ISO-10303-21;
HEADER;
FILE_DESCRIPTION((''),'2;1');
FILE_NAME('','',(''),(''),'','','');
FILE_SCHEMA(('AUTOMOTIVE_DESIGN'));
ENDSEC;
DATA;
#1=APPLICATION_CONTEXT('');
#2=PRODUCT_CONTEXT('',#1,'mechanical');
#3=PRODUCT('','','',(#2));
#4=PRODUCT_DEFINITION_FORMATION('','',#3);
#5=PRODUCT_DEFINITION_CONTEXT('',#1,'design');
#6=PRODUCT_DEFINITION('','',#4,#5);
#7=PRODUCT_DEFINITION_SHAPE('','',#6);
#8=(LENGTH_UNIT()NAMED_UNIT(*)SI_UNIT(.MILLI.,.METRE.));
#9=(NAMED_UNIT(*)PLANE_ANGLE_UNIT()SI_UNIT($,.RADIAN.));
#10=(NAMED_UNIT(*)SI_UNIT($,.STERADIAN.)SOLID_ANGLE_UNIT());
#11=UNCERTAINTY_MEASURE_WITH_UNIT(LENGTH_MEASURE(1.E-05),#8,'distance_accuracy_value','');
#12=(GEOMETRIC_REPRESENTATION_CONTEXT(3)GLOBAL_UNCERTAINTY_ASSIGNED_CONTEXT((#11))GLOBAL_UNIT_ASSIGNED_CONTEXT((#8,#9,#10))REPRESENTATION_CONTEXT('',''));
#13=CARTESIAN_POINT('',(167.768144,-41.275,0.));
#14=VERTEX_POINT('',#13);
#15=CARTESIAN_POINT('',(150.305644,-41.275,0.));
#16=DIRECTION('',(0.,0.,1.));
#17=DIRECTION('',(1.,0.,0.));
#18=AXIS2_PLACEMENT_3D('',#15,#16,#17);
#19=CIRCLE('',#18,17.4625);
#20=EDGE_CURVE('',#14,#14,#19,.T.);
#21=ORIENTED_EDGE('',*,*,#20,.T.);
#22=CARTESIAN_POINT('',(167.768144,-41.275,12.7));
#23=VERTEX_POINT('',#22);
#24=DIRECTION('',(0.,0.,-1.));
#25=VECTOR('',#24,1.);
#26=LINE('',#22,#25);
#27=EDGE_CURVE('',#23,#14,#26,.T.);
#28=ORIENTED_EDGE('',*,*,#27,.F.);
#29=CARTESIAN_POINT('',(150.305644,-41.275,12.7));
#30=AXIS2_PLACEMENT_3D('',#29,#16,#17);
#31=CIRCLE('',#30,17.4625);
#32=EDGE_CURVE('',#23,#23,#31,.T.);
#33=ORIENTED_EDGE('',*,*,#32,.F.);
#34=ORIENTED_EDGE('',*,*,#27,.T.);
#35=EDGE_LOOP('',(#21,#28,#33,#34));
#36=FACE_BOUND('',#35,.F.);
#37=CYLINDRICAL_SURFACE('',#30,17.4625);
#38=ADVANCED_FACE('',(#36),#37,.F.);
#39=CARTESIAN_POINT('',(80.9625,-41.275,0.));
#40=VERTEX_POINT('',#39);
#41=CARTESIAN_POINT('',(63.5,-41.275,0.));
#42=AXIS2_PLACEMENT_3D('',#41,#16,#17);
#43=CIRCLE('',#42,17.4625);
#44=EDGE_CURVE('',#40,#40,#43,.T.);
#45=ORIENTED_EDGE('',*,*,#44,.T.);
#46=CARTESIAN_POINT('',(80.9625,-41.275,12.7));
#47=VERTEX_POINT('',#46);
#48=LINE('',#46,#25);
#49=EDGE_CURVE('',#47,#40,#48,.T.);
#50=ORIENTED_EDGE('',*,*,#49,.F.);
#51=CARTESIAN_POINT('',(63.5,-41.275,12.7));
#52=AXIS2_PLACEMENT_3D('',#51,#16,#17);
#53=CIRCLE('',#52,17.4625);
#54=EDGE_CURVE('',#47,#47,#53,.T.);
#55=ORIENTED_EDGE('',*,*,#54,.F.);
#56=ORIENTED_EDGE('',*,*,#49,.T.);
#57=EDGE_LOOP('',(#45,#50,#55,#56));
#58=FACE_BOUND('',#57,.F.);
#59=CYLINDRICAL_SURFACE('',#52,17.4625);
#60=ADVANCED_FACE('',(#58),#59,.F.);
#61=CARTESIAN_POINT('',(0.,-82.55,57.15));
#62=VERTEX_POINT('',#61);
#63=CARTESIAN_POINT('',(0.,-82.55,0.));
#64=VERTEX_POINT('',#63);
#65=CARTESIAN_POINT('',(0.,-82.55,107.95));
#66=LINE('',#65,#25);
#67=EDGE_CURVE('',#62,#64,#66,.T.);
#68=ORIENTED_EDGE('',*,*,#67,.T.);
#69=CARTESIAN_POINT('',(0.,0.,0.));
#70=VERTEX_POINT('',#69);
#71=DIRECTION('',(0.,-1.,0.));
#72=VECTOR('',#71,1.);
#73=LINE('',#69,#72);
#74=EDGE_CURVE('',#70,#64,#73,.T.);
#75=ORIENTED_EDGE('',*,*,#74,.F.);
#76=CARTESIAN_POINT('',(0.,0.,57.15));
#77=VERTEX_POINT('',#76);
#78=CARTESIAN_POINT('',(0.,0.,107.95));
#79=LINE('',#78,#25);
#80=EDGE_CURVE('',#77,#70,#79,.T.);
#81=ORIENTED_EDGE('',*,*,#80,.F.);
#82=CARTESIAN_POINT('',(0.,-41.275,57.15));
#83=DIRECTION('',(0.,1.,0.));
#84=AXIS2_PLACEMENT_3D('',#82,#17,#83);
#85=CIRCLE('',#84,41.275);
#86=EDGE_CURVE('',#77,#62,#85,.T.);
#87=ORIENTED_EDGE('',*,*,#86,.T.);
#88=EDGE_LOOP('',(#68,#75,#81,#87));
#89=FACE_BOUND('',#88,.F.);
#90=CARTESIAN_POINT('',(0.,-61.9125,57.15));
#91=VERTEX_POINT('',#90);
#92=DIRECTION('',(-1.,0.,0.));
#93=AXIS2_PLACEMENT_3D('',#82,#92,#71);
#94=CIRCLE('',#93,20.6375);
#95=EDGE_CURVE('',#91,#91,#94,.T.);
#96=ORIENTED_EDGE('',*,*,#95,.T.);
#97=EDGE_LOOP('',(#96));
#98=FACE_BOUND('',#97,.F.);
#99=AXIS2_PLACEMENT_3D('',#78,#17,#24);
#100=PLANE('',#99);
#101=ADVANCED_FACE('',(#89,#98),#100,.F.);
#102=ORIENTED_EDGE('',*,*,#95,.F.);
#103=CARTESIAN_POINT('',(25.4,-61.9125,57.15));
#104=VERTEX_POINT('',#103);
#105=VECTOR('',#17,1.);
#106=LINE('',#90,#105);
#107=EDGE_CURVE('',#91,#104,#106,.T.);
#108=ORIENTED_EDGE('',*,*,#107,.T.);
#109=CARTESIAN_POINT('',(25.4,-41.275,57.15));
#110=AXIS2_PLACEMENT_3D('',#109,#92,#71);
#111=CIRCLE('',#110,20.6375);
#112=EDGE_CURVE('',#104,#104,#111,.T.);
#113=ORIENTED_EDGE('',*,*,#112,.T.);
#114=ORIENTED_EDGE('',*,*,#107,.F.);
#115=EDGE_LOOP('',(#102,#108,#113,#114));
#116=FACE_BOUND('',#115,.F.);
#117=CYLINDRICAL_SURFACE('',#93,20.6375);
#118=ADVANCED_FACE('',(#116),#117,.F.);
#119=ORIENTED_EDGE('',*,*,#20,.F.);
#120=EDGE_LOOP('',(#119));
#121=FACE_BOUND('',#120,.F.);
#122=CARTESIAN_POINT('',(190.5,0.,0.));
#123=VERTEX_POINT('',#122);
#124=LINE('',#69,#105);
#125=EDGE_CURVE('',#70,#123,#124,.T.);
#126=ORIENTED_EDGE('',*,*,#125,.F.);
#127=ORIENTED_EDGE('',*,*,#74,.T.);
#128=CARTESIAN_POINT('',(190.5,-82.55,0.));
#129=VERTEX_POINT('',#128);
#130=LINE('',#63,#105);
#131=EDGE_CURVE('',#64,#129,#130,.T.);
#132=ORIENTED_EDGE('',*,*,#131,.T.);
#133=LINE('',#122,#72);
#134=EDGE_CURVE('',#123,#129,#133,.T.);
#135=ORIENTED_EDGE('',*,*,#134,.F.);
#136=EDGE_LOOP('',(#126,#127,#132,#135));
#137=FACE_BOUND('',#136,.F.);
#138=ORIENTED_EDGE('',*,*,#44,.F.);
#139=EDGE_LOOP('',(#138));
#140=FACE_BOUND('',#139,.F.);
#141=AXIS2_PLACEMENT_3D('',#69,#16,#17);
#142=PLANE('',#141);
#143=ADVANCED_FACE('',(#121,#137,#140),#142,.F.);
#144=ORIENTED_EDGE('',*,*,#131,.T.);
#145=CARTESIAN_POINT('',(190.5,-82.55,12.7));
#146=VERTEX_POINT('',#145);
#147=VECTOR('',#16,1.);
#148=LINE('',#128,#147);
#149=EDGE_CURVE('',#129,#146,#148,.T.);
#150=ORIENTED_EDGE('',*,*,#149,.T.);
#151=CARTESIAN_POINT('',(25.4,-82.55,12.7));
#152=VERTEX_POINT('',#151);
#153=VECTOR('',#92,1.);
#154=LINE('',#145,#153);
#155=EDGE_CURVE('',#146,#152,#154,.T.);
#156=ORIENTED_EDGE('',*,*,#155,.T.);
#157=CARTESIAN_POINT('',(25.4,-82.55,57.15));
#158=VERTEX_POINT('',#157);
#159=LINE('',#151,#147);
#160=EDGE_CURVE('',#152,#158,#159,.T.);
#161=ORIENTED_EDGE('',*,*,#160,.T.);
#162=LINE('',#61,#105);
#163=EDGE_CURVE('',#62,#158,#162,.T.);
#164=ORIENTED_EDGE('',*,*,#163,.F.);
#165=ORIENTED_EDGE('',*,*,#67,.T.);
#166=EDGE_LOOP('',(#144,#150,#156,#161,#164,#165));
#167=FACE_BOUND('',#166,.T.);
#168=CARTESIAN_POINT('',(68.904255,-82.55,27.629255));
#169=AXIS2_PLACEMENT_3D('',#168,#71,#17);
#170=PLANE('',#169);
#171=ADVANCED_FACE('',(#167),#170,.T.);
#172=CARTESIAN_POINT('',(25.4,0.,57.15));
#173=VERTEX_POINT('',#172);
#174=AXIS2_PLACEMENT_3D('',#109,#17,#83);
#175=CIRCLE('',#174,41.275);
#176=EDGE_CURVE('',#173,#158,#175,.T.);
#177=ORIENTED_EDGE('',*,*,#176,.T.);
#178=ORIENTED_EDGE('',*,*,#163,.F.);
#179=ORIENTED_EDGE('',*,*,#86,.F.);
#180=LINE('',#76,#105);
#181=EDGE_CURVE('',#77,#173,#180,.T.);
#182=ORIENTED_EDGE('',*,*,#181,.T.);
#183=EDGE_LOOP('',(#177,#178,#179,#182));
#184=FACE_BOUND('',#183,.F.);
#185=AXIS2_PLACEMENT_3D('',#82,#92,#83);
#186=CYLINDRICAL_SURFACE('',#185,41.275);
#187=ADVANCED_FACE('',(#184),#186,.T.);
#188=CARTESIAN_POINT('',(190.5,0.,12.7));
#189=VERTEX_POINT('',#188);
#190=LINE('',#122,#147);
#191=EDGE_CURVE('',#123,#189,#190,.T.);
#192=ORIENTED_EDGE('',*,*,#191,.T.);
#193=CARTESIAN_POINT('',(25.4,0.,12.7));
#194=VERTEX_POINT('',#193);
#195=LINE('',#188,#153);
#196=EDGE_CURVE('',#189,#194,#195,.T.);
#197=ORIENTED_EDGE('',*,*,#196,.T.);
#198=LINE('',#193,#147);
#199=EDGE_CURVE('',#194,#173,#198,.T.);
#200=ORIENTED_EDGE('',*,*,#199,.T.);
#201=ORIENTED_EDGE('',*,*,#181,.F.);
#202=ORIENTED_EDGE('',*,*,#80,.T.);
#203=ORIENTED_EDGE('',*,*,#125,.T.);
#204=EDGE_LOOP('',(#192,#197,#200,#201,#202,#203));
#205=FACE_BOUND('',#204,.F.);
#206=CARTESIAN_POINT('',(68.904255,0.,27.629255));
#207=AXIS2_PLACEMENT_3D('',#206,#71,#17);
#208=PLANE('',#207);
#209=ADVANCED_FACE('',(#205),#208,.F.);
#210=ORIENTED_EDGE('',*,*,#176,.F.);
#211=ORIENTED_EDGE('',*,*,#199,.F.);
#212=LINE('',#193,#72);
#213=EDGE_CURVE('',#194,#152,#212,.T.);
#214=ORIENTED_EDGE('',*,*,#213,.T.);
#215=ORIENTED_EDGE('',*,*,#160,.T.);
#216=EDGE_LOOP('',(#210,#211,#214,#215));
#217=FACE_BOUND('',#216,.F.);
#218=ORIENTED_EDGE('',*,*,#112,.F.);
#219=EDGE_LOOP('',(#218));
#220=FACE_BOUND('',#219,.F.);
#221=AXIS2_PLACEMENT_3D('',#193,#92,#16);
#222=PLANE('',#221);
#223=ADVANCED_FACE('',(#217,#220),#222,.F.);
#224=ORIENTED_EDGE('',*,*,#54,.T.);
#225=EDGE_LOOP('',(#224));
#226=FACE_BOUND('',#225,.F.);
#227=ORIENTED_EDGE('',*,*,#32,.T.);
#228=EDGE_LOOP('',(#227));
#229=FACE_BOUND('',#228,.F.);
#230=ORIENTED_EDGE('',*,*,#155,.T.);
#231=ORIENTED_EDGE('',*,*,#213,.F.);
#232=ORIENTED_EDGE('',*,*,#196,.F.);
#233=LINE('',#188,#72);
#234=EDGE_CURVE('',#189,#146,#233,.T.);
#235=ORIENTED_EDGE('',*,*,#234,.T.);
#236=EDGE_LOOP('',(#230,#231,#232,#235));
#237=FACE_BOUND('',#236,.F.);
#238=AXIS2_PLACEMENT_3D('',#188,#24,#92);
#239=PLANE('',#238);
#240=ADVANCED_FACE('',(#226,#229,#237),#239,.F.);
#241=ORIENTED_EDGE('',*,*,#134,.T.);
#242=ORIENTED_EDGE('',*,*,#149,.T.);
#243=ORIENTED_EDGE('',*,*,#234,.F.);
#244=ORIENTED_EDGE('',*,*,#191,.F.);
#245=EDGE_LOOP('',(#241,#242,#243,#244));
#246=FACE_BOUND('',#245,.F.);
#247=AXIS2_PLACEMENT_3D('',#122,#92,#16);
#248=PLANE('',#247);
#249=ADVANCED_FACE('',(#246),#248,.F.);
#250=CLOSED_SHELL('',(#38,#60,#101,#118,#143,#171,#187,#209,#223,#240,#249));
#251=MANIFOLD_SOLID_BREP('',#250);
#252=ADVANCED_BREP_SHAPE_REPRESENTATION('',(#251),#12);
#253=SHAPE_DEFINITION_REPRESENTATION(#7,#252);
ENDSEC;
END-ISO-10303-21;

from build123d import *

# Parameters (mm, degrees)
F1_DEPTH = 82.55
F2_R     = 17.4625
F3_DEPTH = 25.4
F5_DEPTH = 25.4
F6_R     = 20.6375
F7_DEPTH = 25.4


with BuildPart() as f1:
    # F0 (on Front) → F1 (new body)
    with BuildSketch(Plane.XZ):
        Polygon((0, 107.95), (0, 0), (190.5, 0), (190.5, 12.7), (25.4, 12.7), (25.4, 107.95), align=None)
    extrude(amount=F1_DEPTH)

    # F2 (on face) → F3 (cut)
    with BuildSketch(Plane.XY.offset(12.7)):
        with Locations((63.5, -41.275)):
            Circle(F2_R)
        with Locations((150.305644, -41.275)):
            Circle(F2_R)
    extrude(amount=-F3_DEPTH, mode=Mode.SUBTRACT)

    # F4 (on face) → F5 (cut)
    with BuildSketch(Plane(origin=(0, 0, 0), x_dir=(0, -1, 0), z_dir=(-1, 0, 0))):
        with BuildLine():
            ThreePointArc((0, 57.15), (41.275, 98.425), (82.55, 57.15))
            Line((82.55, 57.15), (82.55, 107.95))
            Line((82.55, 107.95), (0, 107.95))
            Line((0, 107.95), (0, 57.15))
        make_face()
    extrude(amount=-F5_DEPTH, mode=Mode.SUBTRACT)

    # F6 (on face) → F7 (cut, through all)
    with BuildSketch(Plane(origin=(0, 0, 0), x_dir=(0, -1, 0), z_dir=(-1, 0, 0))):
        with Locations((41.275, 57.15)):
            Circle(F6_R)
    extrude(amount=-F7_DEPTH, mode=Mode.SUBTRACT)


solid = f1.part
